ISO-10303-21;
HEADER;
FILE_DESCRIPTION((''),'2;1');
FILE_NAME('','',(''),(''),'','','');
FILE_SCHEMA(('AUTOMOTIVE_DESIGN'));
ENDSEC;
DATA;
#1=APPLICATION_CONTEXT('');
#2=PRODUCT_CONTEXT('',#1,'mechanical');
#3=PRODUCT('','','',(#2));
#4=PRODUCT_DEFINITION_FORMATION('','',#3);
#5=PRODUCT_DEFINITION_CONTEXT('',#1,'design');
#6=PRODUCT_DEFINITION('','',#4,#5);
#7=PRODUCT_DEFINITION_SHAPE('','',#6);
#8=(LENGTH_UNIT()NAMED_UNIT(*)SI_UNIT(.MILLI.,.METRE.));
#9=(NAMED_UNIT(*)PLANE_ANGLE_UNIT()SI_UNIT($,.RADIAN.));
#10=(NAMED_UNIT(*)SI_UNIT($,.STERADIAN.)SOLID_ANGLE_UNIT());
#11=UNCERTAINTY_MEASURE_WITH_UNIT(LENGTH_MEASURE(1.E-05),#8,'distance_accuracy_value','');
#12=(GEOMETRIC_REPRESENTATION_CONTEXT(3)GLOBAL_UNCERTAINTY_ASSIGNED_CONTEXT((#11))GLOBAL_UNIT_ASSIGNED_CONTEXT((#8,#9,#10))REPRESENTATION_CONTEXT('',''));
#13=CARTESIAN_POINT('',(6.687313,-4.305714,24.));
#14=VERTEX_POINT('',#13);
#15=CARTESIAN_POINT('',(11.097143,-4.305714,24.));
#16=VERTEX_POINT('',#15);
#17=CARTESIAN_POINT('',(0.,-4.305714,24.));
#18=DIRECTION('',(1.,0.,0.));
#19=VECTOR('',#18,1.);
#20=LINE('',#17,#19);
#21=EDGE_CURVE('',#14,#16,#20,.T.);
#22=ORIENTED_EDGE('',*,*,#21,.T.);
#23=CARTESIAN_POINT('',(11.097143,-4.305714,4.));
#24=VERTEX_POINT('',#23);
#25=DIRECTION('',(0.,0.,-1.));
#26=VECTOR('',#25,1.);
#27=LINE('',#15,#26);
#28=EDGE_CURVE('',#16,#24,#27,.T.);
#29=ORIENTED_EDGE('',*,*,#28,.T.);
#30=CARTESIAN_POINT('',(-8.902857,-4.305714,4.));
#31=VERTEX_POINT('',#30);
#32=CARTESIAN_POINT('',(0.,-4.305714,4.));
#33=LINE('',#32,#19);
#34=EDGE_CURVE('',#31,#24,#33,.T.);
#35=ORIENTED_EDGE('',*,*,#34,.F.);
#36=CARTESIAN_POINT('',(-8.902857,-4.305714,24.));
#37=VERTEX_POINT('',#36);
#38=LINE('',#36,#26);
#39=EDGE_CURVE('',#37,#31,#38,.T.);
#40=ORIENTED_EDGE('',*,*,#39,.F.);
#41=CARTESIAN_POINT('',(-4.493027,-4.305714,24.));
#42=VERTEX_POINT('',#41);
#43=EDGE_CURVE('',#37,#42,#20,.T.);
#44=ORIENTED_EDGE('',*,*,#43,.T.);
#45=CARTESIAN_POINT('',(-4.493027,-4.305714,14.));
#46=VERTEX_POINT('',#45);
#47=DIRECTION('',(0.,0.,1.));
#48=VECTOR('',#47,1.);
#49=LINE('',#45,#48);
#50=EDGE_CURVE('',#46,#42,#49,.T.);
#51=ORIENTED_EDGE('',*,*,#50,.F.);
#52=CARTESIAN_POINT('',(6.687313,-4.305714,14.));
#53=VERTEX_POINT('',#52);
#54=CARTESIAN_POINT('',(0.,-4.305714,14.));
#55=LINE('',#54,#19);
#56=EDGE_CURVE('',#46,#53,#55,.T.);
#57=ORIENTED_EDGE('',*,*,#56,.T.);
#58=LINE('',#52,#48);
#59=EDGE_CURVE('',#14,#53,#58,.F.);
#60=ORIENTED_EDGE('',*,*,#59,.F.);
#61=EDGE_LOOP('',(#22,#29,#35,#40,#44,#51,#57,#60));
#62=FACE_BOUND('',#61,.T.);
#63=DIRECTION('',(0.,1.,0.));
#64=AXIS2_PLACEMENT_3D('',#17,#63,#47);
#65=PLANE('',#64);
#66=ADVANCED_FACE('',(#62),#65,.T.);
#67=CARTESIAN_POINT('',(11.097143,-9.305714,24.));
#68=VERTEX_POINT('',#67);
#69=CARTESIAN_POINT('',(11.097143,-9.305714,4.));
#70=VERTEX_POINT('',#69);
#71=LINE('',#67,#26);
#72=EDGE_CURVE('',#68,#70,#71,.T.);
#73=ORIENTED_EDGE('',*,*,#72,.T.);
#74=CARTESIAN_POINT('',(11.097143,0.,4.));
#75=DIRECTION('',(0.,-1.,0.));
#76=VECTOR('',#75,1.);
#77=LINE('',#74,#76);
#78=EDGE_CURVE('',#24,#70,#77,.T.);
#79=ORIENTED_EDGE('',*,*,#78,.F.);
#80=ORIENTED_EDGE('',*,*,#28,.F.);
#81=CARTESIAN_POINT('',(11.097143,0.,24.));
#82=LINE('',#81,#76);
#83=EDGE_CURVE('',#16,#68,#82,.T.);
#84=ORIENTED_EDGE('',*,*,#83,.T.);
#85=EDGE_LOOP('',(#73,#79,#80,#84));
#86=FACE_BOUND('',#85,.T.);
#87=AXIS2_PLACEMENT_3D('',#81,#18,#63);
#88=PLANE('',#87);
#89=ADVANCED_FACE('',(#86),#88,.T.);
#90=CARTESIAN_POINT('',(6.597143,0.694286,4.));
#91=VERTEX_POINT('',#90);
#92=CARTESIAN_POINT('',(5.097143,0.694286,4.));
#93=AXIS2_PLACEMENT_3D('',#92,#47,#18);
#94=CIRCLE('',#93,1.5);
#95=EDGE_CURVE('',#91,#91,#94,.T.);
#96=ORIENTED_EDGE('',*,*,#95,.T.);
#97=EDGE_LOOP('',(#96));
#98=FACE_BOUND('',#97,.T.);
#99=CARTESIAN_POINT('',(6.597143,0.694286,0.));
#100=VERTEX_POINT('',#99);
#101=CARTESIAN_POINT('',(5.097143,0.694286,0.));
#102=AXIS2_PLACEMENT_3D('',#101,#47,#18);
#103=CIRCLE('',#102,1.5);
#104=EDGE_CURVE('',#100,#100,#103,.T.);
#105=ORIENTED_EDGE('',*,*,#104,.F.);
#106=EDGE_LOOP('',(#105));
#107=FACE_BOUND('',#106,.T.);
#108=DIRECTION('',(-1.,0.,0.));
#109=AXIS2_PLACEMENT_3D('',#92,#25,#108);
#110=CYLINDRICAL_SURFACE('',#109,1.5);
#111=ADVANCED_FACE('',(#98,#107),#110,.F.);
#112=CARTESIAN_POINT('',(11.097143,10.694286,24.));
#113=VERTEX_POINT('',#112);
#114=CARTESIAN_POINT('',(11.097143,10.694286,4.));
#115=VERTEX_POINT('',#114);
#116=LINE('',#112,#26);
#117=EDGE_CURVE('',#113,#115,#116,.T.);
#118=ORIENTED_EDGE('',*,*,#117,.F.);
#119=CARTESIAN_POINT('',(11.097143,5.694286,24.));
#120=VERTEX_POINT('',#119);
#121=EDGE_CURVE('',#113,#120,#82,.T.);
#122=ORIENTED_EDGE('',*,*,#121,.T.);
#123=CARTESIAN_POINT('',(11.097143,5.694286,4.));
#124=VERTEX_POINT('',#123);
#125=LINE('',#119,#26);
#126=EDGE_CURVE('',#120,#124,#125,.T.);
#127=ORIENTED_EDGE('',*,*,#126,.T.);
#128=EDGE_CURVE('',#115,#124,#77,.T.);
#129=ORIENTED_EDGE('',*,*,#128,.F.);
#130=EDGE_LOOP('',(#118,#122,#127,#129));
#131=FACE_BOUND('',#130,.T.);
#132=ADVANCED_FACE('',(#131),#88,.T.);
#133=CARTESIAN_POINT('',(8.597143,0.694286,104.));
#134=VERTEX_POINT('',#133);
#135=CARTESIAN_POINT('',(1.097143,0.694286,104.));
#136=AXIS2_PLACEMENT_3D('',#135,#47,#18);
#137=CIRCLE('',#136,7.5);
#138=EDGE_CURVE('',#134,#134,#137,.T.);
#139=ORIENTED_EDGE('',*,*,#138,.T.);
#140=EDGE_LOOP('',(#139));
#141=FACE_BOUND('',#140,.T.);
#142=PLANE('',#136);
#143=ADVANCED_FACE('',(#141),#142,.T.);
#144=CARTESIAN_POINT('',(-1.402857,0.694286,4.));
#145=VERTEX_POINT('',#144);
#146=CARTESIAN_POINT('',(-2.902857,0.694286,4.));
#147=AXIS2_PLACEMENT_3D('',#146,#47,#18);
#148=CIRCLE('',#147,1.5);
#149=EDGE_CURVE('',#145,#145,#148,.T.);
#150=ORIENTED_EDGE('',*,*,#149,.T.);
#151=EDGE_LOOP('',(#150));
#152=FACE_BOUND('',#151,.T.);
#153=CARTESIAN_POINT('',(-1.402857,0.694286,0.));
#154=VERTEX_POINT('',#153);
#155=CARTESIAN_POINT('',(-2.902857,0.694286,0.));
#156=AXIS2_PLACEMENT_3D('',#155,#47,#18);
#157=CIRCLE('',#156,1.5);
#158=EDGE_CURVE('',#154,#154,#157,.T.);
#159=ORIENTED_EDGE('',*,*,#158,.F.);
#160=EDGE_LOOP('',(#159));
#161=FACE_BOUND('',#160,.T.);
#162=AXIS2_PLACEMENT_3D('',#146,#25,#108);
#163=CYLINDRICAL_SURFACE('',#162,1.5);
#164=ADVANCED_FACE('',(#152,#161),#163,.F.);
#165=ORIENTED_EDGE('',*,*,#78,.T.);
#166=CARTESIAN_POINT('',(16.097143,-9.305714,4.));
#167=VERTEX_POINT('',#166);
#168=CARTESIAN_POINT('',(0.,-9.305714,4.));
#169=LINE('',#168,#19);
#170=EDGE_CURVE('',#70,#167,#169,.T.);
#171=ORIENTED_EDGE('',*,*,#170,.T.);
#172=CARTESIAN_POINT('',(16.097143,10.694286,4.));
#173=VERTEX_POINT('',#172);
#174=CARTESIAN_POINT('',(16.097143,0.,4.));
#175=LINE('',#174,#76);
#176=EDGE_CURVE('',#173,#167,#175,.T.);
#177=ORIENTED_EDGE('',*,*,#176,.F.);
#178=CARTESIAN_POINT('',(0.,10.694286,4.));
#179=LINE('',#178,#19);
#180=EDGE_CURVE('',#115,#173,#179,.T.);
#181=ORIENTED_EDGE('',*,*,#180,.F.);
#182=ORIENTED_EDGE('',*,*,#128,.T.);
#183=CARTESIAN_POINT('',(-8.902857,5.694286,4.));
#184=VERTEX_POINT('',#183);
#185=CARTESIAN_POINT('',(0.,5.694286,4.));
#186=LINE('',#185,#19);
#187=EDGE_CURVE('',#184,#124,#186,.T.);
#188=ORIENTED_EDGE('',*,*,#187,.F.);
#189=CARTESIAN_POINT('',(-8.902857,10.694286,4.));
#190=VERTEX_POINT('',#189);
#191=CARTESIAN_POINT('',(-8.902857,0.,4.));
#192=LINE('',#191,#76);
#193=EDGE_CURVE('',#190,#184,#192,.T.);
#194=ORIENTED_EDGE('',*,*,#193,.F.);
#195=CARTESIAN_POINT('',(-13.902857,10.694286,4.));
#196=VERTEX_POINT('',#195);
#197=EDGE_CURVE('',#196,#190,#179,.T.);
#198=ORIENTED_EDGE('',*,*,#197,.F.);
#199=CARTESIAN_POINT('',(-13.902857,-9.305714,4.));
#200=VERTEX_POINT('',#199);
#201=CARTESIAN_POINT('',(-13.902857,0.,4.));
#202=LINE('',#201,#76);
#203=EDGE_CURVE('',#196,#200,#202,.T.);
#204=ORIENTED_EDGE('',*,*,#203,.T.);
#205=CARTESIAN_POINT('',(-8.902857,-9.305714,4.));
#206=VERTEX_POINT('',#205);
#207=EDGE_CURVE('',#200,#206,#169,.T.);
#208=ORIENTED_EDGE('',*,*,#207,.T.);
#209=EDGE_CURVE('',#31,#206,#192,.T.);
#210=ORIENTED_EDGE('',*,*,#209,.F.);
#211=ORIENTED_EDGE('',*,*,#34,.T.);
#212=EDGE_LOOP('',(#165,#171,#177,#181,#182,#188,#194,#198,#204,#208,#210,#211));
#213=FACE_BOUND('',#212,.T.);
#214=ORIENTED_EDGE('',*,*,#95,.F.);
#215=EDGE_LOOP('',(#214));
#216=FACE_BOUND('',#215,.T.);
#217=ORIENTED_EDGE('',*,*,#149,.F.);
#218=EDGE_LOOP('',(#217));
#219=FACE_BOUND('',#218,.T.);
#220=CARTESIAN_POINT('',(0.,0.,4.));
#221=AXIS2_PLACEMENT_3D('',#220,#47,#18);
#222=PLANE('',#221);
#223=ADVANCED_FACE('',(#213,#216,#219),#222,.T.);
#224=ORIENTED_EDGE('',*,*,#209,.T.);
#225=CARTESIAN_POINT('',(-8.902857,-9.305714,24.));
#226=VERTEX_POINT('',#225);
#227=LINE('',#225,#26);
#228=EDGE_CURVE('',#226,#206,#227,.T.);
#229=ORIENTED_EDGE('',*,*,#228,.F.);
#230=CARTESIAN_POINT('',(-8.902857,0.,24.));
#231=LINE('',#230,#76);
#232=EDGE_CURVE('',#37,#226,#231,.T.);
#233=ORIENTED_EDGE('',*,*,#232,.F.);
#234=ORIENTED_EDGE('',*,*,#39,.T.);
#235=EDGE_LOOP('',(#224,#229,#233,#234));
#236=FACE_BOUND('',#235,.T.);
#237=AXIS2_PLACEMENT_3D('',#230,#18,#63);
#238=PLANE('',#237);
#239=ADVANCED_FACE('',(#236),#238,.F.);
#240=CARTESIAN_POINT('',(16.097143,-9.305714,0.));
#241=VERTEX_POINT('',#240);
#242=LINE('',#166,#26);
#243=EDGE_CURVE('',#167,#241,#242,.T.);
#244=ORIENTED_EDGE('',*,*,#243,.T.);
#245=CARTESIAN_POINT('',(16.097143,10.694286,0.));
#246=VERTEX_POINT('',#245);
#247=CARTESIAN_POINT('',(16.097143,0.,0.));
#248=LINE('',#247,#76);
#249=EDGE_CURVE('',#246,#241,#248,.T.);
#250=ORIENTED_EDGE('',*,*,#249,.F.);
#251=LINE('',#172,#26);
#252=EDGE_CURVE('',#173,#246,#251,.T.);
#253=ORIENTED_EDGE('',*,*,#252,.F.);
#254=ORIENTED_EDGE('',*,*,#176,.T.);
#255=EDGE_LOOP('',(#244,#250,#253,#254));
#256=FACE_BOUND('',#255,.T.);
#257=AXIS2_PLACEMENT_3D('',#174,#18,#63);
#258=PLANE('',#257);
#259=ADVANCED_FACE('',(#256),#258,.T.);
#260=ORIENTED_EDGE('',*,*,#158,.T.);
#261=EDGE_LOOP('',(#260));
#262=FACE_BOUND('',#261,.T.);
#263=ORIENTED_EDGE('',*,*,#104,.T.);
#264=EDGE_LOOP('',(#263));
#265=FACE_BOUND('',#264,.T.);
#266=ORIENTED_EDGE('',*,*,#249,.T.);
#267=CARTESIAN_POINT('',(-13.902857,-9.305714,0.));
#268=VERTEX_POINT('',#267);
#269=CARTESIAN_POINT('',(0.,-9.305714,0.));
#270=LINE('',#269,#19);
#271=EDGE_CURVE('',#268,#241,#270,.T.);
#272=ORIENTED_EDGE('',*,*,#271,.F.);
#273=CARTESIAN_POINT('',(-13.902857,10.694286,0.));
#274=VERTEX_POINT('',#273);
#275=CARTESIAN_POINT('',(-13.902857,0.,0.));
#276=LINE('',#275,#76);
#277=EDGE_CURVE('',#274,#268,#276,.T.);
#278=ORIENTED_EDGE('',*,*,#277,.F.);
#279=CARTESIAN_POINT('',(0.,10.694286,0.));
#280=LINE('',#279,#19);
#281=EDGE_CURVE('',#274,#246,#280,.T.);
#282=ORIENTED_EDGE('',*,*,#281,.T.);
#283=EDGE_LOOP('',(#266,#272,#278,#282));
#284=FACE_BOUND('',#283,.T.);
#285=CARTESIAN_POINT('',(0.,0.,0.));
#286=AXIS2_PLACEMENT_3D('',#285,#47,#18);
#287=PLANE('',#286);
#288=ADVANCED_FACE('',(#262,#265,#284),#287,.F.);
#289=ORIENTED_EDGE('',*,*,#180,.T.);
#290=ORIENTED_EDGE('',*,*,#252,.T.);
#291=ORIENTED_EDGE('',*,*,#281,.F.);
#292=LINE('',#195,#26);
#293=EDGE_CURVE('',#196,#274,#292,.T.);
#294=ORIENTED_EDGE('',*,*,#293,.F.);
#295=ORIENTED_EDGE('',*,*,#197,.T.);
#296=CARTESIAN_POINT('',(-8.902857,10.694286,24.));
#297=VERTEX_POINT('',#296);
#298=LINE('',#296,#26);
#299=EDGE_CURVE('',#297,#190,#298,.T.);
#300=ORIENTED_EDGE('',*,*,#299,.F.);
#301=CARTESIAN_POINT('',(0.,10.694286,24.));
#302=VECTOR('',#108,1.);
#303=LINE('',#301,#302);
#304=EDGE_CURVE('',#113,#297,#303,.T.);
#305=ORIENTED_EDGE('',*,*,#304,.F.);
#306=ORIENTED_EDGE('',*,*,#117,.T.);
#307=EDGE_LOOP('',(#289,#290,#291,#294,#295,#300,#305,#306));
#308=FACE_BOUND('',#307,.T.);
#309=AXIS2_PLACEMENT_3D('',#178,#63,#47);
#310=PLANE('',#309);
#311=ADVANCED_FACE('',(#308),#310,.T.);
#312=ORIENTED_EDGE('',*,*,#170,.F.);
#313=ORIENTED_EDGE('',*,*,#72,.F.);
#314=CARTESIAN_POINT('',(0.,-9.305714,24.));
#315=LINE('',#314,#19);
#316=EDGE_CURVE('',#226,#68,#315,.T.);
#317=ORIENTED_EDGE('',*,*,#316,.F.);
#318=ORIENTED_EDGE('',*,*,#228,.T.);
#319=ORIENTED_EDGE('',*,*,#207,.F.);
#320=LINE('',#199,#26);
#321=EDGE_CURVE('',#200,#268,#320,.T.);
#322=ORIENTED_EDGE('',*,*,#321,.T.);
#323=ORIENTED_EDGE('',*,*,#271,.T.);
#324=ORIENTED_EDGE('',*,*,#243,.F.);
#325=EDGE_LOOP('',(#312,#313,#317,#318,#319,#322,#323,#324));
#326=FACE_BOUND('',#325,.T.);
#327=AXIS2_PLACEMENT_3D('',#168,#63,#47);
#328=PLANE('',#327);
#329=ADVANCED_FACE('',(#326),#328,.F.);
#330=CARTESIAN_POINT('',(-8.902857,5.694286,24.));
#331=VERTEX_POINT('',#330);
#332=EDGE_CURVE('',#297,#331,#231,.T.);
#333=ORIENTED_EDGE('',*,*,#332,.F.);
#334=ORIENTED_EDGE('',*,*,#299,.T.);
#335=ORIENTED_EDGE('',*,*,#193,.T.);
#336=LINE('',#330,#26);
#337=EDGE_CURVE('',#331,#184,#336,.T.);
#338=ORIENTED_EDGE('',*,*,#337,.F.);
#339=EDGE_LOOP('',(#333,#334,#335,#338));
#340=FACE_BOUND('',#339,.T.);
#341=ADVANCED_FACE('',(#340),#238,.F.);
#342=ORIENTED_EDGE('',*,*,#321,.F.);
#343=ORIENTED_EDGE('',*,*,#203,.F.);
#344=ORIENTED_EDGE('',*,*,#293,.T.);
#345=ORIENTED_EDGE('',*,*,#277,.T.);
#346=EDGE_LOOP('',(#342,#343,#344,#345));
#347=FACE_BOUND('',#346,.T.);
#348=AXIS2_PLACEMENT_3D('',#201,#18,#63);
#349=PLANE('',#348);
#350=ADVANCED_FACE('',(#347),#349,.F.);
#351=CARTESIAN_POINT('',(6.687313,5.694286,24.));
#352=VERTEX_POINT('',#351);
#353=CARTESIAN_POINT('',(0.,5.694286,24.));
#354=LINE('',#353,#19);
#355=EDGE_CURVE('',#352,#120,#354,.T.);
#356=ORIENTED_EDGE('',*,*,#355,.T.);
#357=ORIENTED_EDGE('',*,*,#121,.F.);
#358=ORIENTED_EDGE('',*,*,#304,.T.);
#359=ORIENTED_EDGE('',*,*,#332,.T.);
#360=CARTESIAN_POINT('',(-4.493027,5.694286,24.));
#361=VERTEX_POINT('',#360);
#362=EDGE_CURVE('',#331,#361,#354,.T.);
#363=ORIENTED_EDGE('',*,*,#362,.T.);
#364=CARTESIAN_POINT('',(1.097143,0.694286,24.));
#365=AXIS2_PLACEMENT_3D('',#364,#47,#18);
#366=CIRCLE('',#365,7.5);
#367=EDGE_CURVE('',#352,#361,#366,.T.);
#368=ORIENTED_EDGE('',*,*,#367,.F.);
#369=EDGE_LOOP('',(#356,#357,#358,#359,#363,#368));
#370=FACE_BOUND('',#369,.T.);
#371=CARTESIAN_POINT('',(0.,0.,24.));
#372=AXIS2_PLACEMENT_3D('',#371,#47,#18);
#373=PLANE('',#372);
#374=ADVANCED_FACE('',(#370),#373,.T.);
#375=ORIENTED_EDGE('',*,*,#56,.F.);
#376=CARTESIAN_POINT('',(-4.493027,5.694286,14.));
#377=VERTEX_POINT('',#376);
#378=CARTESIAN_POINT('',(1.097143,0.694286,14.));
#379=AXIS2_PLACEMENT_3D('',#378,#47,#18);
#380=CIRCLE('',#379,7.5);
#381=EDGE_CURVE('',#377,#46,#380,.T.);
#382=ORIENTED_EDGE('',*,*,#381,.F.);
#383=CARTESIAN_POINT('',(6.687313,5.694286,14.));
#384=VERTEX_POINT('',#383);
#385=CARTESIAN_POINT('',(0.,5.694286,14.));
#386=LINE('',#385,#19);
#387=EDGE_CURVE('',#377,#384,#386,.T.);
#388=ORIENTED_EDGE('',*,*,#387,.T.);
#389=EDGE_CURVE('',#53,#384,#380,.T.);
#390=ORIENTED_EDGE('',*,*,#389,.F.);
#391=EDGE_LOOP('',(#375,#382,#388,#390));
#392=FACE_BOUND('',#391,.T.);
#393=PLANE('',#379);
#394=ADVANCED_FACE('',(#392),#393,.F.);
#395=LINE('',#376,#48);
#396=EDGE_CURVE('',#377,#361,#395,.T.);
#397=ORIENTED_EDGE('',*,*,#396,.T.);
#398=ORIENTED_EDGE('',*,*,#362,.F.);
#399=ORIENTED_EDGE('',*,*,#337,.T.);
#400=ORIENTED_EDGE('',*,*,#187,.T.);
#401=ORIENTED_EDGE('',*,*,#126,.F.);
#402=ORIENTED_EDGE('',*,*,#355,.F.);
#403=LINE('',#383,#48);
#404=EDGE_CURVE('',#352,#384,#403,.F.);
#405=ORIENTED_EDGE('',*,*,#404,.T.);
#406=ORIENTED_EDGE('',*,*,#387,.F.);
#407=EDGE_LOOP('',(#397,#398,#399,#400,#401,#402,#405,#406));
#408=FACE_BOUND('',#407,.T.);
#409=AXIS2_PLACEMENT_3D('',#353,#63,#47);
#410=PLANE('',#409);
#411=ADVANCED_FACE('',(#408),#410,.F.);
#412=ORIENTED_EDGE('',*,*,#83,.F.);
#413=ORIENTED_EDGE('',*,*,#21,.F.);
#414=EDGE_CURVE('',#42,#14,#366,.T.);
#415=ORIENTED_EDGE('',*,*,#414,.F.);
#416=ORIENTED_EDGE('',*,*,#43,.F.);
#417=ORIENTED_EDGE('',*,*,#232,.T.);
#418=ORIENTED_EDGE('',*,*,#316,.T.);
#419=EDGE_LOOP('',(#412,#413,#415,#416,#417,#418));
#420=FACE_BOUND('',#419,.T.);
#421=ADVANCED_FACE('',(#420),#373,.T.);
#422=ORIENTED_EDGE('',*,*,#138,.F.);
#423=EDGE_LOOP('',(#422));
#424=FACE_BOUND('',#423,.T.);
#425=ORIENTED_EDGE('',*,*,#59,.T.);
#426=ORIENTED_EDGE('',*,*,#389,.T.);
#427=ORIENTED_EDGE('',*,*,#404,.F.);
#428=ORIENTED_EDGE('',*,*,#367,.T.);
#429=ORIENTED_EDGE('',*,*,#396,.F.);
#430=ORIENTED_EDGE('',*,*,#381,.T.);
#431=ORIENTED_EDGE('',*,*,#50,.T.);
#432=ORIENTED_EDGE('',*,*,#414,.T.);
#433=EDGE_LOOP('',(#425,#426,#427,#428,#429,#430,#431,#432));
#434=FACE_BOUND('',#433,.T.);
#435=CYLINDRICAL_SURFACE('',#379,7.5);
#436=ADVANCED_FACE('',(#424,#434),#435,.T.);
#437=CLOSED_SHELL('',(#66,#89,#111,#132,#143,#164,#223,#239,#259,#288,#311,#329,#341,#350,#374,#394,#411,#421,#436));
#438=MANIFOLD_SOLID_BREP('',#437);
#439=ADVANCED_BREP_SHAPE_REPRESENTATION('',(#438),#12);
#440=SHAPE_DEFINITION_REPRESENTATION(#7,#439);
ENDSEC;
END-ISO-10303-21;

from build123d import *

# Parameters (mm, degrees)
SKETCH_1_W           = 30
SKETCH_1_H           = 20
SKETCH_1_R           = 1.5
EXTRUDE_1_DEPTH      = 4
SKETCH_2_W           = 20
SKETCH_2_H           = 5
EXTRUDE_2_DEPTH      = 20
SKETCH_3_R           = 7.5
EXTRUDE_3_DEPTH      = 80
EXTRUDE_3_DEPTH_BACK = 10


with BuildPart() as part:
    # 草图1 → 凸台-拉伸1 (new body)
    with BuildSketch(Plane.XY):
        with Locations((1.097142857, 0.694285714)):
            Rectangle(SKETCH_1_W, SKETCH_1_H)
        with Locations((-2.902857143, 0.694285714)):
            Circle(SKETCH_1_R, mode=Mode.SUBTRACT)
        with Locations((5.097142857, 0.694285714)):
            Circle(SKETCH_1_R, mode=Mode.SUBTRACT)
    extrude(amount=EXTRUDE_1_DEPTH)

    # 草图2 → 凸台-拉伸2 (add)
    with BuildSketch(Plane.XY.offset(4)):
        with Locations((1.097142857, 8.194285714)):
            Rectangle(SKETCH_2_W, SKETCH_2_H)
        with Locations((1.097142857, -6.805714286)):
            Rectangle(SKETCH_2_W, SKETCH_2_H)
    extrude(amount=EXTRUDE_2_DEPTH)

    # 草图3 → 凸台-拉伸3 (add, two sides)
    with BuildSketch(Plane.XY.offset(24)) as extrude_3_sk:
        with Locations((1.097142857, 0.694285714)):
            Circle(SKETCH_3_R)
    extrude(amount=EXTRUDE_3_DEPTH)
    extrude(extrude_3_sk.sketch, amount=-EXTRUDE_3_DEPTH_BACK)


solid = part.part
